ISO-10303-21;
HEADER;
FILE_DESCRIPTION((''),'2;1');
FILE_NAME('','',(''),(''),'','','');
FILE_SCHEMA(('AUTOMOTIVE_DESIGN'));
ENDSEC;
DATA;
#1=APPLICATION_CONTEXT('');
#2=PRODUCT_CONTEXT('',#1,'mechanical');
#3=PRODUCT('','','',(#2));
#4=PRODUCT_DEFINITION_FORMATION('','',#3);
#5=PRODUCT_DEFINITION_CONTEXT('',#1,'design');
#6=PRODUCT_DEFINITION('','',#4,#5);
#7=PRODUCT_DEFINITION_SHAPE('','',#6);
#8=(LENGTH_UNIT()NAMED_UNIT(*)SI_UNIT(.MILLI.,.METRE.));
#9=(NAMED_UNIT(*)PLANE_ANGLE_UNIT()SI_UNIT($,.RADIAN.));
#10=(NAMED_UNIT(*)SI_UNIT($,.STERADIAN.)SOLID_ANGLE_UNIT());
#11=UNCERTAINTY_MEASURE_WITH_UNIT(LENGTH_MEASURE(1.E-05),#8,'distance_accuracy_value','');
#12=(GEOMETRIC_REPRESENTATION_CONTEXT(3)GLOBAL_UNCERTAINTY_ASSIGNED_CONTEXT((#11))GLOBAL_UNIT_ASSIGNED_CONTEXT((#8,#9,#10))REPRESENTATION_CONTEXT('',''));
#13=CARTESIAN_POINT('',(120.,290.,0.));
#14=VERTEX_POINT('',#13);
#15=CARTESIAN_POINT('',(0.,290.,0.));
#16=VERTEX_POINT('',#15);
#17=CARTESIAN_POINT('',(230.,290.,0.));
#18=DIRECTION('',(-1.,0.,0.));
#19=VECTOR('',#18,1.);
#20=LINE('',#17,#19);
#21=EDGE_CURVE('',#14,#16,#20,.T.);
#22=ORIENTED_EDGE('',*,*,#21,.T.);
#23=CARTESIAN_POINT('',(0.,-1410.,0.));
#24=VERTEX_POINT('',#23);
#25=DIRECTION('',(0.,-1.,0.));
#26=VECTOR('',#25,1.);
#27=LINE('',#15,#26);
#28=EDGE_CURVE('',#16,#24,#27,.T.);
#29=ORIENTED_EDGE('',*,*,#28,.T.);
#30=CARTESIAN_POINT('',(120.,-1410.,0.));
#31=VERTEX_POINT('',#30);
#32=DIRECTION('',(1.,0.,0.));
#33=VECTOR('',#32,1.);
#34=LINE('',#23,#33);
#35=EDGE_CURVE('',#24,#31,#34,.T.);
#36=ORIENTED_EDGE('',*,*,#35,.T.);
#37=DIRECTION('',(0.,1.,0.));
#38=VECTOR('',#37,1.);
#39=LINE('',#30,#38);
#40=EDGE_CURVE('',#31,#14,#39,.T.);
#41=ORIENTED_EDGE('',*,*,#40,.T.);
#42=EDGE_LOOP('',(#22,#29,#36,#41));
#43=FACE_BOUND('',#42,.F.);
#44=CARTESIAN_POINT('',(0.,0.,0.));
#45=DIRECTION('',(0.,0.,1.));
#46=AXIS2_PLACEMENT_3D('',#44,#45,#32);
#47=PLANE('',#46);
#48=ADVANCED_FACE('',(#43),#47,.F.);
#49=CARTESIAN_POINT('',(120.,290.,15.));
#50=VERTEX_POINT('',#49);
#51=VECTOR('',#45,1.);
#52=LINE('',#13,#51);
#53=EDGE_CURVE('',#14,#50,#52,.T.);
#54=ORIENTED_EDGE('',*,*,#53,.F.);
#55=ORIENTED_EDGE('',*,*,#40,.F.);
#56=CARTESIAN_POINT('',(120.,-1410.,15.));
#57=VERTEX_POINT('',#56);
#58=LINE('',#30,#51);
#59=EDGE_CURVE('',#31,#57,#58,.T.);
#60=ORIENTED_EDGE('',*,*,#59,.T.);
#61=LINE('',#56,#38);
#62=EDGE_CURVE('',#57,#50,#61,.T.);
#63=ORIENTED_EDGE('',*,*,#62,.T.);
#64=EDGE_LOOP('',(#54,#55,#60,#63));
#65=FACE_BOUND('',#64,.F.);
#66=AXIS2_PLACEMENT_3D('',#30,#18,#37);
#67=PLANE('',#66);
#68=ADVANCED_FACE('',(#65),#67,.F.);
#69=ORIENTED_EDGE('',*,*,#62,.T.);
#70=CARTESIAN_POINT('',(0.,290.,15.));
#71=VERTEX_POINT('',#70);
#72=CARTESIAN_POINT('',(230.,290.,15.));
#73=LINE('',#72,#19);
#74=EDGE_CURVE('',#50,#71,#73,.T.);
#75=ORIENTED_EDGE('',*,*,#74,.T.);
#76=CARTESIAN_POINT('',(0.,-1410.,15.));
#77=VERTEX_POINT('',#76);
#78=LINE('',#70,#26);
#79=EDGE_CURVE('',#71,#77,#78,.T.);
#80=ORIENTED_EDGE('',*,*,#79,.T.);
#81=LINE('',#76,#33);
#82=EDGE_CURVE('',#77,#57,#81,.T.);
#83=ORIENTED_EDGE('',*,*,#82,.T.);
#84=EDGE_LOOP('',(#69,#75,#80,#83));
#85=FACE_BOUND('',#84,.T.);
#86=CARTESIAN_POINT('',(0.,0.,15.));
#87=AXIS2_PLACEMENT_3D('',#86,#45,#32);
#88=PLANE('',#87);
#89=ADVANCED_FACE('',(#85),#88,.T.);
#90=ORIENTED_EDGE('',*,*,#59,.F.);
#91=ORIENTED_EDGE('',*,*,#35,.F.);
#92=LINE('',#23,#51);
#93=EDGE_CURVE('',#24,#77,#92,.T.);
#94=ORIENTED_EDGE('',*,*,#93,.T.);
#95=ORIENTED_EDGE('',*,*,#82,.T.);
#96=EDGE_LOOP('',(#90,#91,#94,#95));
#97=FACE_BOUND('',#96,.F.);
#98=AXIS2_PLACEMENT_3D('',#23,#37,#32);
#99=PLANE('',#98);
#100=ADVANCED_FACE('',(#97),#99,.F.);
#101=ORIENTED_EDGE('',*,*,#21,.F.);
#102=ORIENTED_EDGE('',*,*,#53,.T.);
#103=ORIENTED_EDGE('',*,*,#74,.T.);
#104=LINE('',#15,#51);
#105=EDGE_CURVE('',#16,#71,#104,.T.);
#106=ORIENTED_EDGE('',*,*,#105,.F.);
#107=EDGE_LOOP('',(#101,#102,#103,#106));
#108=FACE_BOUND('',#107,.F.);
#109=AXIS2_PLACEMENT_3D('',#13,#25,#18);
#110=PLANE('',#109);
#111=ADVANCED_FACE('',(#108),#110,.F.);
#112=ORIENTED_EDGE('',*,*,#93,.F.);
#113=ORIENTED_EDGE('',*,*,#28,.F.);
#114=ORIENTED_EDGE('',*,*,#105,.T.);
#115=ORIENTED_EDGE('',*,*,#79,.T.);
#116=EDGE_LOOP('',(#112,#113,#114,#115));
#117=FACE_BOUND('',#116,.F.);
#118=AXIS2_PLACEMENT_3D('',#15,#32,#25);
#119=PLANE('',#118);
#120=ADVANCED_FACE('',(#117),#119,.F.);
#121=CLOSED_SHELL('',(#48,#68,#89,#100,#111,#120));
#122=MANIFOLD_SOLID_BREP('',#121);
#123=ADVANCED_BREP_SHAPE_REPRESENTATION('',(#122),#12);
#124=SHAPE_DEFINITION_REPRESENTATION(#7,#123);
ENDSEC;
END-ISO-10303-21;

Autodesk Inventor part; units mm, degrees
ref_plane "YZ Plane" through (0, 0, 0) normal (1, 0, 0) x (0, 1, 0)
ref_plane "XZ Plane" through (0, 0, 0) normal (0, 1, 0) x (-1, 0, 0)
ref_plane "XY Plane" through (0, 0, 0) normal (0, 0, 1) x (1, 0, 0)
sketch "Sketch1" plane through (0, 0, 0) normal (0, 0, 1) x (1, 0, 0)
  line L0 (230, 290) -> (0, 290) projected
  line L1 (0, -1410) -> (230, -1410) projected
  line L2 (0, -1410) -> (120, -1410)
  line L3 (120, -1410) -> (120, 290)
  line L4 (120, 290) -> (0, 290)
  line L5 (0, 290) -> (0, -1410)
  point P0 (0, 0)
  dimension "d0" = 120
extrude "Extrusion1" add sketch "Sketch1" along normal blind 15
properties part number "back_plate_gantry"
